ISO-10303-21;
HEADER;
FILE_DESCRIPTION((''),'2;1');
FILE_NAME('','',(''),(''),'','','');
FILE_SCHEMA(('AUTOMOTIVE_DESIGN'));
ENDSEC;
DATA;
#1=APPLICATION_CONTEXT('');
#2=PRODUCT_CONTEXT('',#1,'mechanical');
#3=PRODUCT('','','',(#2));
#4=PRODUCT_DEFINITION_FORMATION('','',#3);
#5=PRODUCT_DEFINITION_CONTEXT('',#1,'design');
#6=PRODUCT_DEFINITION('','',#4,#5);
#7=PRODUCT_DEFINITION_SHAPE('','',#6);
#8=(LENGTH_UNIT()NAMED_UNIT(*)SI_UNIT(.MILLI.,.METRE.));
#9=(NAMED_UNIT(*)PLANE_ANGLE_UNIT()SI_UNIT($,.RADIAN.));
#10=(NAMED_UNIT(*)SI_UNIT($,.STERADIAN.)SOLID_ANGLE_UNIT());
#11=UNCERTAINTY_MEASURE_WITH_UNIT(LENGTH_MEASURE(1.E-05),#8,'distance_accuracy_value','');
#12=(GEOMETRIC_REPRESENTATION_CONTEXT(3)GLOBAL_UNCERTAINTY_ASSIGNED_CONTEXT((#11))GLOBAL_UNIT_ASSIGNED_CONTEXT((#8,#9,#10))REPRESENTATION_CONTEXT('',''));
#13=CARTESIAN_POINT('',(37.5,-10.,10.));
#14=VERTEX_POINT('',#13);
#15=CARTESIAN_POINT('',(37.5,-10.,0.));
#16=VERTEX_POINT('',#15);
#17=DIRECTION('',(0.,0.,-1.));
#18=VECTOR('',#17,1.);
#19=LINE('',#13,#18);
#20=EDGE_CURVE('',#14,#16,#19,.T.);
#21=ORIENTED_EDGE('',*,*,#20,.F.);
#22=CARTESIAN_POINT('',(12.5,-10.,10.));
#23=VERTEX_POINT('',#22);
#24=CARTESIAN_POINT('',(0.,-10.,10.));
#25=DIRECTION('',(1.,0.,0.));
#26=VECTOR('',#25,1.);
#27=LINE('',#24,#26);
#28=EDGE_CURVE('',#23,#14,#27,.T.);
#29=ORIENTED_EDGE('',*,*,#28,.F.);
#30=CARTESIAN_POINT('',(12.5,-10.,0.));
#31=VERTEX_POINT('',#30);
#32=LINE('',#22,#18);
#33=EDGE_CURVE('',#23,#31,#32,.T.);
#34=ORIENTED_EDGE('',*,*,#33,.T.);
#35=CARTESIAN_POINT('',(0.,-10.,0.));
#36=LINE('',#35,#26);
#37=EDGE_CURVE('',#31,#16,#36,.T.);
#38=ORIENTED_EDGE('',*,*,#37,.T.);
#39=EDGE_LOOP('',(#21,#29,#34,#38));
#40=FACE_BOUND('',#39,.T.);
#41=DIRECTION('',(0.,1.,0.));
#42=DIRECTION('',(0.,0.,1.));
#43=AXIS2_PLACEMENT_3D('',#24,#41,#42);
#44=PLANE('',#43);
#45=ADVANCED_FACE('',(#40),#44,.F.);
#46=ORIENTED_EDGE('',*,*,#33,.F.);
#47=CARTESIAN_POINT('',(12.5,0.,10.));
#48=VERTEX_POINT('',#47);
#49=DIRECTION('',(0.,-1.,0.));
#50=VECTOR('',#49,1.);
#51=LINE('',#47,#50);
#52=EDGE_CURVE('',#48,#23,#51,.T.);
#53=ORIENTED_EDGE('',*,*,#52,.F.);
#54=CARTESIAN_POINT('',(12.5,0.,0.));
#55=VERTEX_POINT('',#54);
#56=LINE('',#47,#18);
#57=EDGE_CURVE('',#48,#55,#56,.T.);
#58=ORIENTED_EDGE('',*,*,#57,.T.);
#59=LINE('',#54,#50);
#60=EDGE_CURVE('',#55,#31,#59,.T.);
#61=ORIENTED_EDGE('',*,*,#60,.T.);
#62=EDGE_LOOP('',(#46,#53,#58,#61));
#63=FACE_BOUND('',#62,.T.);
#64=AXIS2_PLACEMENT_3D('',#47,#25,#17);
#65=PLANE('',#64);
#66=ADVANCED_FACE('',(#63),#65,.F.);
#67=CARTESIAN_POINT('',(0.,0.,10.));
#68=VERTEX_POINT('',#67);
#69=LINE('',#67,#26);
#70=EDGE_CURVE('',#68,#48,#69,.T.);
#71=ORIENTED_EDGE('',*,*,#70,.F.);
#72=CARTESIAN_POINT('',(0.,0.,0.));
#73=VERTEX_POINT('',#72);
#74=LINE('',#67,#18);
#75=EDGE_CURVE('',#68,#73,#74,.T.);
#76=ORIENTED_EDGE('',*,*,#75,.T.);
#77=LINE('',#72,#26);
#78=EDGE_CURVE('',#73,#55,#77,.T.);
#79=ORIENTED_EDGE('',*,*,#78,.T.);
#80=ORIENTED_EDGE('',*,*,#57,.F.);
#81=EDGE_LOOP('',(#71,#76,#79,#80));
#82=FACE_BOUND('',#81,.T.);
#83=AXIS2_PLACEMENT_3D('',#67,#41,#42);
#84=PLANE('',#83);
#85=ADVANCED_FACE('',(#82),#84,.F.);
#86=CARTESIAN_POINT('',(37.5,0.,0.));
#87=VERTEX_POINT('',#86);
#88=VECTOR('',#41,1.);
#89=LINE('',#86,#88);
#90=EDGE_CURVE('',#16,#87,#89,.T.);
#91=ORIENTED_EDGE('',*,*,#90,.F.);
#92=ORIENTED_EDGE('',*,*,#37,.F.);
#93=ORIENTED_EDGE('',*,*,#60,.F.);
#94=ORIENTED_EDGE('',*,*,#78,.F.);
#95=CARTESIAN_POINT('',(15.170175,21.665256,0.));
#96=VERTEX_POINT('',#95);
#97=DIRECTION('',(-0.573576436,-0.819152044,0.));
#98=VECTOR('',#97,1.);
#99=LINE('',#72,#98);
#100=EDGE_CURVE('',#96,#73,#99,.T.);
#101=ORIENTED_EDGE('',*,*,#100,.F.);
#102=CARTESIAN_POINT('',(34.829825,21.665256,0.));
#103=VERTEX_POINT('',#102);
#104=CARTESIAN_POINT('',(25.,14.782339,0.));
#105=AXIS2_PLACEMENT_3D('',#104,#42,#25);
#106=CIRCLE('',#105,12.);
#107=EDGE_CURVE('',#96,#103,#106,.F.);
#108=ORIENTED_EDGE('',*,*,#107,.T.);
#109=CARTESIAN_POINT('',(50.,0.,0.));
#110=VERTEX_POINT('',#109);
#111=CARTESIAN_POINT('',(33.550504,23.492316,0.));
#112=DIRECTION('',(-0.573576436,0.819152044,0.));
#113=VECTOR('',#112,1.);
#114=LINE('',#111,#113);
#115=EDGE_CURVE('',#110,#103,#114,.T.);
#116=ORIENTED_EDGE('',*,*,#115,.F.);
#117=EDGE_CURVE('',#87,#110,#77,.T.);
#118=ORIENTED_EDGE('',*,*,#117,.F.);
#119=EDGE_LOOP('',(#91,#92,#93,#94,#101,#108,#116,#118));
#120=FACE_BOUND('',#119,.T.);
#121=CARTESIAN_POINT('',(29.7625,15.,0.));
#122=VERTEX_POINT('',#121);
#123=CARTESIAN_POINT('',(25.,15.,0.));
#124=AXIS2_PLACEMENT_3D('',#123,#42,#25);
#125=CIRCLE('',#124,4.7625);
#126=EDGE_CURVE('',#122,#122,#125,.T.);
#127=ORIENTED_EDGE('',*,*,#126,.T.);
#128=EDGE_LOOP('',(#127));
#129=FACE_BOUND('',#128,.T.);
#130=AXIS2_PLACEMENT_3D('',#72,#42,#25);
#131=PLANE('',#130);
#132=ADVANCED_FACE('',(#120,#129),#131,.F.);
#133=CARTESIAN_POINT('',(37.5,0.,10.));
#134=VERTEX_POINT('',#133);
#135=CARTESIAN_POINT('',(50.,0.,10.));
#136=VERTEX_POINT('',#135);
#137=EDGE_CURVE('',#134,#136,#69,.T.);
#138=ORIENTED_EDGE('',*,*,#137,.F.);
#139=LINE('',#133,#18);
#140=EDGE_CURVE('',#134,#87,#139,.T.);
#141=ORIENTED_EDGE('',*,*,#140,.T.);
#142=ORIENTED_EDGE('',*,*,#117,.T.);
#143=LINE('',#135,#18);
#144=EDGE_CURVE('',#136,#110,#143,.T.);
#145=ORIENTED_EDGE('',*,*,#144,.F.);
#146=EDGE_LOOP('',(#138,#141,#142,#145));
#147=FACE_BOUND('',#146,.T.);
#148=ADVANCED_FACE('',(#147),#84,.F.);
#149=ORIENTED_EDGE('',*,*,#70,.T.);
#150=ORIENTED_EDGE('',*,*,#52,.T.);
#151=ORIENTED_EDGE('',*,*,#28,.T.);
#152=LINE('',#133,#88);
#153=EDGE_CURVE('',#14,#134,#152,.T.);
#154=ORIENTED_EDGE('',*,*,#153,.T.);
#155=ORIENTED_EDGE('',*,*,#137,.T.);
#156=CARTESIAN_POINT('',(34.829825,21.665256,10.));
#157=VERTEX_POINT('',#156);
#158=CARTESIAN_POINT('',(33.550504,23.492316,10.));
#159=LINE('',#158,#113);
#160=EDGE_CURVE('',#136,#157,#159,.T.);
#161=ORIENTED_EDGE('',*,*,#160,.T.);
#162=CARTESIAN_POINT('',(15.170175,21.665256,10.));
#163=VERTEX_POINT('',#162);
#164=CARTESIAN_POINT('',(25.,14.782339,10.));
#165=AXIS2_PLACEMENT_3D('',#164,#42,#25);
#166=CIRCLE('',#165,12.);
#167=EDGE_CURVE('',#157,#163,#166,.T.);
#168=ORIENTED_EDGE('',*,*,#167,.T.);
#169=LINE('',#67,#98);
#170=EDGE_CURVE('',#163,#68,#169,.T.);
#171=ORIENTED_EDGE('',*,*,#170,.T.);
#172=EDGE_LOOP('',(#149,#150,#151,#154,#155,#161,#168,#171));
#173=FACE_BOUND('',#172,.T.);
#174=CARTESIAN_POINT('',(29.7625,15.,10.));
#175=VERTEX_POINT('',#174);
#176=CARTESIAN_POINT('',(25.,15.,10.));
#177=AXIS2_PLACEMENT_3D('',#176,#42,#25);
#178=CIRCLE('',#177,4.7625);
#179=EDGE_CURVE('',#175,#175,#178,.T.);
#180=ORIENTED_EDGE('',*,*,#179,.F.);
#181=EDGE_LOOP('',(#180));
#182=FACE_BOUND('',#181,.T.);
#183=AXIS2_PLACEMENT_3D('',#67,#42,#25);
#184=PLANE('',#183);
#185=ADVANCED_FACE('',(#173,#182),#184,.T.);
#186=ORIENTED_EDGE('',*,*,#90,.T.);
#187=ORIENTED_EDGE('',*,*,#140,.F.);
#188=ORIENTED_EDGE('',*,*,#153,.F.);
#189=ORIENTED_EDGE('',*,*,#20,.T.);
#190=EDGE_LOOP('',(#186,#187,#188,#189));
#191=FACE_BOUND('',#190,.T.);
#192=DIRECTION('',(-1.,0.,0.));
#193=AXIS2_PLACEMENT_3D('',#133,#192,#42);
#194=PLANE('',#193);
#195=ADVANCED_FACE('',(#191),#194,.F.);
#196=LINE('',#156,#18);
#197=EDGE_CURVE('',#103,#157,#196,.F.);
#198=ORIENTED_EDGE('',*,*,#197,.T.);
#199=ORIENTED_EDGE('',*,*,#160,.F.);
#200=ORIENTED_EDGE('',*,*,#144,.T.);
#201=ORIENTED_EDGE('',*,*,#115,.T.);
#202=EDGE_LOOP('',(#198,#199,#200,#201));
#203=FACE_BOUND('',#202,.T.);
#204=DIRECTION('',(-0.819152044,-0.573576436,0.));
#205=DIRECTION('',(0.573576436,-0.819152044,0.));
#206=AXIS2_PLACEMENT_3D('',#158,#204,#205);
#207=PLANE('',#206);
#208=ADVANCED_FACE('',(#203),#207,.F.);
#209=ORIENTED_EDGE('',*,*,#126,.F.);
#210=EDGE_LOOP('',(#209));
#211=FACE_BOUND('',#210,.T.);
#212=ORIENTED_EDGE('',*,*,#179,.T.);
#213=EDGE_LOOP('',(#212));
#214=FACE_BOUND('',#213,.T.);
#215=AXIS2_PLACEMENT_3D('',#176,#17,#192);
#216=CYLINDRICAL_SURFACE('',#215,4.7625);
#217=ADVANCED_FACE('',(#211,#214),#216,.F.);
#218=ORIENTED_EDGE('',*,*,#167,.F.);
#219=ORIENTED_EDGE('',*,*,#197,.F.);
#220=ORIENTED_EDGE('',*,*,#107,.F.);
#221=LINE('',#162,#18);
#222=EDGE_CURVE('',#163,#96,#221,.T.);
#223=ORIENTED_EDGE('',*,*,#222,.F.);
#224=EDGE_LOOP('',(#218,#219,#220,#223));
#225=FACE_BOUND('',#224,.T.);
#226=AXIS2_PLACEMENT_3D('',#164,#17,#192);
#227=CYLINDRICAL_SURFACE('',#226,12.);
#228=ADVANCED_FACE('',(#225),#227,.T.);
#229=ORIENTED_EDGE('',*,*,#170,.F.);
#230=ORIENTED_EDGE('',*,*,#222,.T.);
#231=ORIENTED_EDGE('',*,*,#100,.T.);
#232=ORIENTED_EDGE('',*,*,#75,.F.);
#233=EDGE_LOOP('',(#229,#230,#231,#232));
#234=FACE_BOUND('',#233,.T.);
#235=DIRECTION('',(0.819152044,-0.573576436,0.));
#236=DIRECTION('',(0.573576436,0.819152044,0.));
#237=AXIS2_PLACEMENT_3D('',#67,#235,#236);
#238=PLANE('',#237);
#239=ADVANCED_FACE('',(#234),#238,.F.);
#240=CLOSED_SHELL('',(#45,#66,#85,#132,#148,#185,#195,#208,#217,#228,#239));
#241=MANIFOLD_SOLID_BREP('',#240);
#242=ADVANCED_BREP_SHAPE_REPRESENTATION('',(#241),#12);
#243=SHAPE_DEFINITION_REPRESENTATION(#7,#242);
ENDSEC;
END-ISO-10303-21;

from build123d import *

# Parameters (mm, degrees)
SKETCH1_R           = 4.7625
SKETCH1_W           = 25
SKETCH1_H           = 10
BOSS_EXTRUDE1_DEPTH = 10
FILLET1_R           = 12


with BuildPart() as part:
    # Sketch1 → Boss-Extrude1 (new body)
    with BuildSketch(Plane.XY):
        Polygon((50, 0), (25, 35.703700169), (0, 0), align=None)
        with Locations((25, 15)):
            Circle(SKETCH1_R, mode=Mode.SUBTRACT)
        with Locations((25, -5)):
            Rectangle(SKETCH1_W, SKETCH1_H)
    extrude(amount=BOSS_EXTRUDE1_DEPTH)

    # Fillet1
    fillet1_edges = [part.edges().sort_by_distance(p)[0] for p in [
        (25, 35.703700169, 5),
    ]]
    fillet(fillet1_edges, radius=FILLET1_R)


solid = part.part
